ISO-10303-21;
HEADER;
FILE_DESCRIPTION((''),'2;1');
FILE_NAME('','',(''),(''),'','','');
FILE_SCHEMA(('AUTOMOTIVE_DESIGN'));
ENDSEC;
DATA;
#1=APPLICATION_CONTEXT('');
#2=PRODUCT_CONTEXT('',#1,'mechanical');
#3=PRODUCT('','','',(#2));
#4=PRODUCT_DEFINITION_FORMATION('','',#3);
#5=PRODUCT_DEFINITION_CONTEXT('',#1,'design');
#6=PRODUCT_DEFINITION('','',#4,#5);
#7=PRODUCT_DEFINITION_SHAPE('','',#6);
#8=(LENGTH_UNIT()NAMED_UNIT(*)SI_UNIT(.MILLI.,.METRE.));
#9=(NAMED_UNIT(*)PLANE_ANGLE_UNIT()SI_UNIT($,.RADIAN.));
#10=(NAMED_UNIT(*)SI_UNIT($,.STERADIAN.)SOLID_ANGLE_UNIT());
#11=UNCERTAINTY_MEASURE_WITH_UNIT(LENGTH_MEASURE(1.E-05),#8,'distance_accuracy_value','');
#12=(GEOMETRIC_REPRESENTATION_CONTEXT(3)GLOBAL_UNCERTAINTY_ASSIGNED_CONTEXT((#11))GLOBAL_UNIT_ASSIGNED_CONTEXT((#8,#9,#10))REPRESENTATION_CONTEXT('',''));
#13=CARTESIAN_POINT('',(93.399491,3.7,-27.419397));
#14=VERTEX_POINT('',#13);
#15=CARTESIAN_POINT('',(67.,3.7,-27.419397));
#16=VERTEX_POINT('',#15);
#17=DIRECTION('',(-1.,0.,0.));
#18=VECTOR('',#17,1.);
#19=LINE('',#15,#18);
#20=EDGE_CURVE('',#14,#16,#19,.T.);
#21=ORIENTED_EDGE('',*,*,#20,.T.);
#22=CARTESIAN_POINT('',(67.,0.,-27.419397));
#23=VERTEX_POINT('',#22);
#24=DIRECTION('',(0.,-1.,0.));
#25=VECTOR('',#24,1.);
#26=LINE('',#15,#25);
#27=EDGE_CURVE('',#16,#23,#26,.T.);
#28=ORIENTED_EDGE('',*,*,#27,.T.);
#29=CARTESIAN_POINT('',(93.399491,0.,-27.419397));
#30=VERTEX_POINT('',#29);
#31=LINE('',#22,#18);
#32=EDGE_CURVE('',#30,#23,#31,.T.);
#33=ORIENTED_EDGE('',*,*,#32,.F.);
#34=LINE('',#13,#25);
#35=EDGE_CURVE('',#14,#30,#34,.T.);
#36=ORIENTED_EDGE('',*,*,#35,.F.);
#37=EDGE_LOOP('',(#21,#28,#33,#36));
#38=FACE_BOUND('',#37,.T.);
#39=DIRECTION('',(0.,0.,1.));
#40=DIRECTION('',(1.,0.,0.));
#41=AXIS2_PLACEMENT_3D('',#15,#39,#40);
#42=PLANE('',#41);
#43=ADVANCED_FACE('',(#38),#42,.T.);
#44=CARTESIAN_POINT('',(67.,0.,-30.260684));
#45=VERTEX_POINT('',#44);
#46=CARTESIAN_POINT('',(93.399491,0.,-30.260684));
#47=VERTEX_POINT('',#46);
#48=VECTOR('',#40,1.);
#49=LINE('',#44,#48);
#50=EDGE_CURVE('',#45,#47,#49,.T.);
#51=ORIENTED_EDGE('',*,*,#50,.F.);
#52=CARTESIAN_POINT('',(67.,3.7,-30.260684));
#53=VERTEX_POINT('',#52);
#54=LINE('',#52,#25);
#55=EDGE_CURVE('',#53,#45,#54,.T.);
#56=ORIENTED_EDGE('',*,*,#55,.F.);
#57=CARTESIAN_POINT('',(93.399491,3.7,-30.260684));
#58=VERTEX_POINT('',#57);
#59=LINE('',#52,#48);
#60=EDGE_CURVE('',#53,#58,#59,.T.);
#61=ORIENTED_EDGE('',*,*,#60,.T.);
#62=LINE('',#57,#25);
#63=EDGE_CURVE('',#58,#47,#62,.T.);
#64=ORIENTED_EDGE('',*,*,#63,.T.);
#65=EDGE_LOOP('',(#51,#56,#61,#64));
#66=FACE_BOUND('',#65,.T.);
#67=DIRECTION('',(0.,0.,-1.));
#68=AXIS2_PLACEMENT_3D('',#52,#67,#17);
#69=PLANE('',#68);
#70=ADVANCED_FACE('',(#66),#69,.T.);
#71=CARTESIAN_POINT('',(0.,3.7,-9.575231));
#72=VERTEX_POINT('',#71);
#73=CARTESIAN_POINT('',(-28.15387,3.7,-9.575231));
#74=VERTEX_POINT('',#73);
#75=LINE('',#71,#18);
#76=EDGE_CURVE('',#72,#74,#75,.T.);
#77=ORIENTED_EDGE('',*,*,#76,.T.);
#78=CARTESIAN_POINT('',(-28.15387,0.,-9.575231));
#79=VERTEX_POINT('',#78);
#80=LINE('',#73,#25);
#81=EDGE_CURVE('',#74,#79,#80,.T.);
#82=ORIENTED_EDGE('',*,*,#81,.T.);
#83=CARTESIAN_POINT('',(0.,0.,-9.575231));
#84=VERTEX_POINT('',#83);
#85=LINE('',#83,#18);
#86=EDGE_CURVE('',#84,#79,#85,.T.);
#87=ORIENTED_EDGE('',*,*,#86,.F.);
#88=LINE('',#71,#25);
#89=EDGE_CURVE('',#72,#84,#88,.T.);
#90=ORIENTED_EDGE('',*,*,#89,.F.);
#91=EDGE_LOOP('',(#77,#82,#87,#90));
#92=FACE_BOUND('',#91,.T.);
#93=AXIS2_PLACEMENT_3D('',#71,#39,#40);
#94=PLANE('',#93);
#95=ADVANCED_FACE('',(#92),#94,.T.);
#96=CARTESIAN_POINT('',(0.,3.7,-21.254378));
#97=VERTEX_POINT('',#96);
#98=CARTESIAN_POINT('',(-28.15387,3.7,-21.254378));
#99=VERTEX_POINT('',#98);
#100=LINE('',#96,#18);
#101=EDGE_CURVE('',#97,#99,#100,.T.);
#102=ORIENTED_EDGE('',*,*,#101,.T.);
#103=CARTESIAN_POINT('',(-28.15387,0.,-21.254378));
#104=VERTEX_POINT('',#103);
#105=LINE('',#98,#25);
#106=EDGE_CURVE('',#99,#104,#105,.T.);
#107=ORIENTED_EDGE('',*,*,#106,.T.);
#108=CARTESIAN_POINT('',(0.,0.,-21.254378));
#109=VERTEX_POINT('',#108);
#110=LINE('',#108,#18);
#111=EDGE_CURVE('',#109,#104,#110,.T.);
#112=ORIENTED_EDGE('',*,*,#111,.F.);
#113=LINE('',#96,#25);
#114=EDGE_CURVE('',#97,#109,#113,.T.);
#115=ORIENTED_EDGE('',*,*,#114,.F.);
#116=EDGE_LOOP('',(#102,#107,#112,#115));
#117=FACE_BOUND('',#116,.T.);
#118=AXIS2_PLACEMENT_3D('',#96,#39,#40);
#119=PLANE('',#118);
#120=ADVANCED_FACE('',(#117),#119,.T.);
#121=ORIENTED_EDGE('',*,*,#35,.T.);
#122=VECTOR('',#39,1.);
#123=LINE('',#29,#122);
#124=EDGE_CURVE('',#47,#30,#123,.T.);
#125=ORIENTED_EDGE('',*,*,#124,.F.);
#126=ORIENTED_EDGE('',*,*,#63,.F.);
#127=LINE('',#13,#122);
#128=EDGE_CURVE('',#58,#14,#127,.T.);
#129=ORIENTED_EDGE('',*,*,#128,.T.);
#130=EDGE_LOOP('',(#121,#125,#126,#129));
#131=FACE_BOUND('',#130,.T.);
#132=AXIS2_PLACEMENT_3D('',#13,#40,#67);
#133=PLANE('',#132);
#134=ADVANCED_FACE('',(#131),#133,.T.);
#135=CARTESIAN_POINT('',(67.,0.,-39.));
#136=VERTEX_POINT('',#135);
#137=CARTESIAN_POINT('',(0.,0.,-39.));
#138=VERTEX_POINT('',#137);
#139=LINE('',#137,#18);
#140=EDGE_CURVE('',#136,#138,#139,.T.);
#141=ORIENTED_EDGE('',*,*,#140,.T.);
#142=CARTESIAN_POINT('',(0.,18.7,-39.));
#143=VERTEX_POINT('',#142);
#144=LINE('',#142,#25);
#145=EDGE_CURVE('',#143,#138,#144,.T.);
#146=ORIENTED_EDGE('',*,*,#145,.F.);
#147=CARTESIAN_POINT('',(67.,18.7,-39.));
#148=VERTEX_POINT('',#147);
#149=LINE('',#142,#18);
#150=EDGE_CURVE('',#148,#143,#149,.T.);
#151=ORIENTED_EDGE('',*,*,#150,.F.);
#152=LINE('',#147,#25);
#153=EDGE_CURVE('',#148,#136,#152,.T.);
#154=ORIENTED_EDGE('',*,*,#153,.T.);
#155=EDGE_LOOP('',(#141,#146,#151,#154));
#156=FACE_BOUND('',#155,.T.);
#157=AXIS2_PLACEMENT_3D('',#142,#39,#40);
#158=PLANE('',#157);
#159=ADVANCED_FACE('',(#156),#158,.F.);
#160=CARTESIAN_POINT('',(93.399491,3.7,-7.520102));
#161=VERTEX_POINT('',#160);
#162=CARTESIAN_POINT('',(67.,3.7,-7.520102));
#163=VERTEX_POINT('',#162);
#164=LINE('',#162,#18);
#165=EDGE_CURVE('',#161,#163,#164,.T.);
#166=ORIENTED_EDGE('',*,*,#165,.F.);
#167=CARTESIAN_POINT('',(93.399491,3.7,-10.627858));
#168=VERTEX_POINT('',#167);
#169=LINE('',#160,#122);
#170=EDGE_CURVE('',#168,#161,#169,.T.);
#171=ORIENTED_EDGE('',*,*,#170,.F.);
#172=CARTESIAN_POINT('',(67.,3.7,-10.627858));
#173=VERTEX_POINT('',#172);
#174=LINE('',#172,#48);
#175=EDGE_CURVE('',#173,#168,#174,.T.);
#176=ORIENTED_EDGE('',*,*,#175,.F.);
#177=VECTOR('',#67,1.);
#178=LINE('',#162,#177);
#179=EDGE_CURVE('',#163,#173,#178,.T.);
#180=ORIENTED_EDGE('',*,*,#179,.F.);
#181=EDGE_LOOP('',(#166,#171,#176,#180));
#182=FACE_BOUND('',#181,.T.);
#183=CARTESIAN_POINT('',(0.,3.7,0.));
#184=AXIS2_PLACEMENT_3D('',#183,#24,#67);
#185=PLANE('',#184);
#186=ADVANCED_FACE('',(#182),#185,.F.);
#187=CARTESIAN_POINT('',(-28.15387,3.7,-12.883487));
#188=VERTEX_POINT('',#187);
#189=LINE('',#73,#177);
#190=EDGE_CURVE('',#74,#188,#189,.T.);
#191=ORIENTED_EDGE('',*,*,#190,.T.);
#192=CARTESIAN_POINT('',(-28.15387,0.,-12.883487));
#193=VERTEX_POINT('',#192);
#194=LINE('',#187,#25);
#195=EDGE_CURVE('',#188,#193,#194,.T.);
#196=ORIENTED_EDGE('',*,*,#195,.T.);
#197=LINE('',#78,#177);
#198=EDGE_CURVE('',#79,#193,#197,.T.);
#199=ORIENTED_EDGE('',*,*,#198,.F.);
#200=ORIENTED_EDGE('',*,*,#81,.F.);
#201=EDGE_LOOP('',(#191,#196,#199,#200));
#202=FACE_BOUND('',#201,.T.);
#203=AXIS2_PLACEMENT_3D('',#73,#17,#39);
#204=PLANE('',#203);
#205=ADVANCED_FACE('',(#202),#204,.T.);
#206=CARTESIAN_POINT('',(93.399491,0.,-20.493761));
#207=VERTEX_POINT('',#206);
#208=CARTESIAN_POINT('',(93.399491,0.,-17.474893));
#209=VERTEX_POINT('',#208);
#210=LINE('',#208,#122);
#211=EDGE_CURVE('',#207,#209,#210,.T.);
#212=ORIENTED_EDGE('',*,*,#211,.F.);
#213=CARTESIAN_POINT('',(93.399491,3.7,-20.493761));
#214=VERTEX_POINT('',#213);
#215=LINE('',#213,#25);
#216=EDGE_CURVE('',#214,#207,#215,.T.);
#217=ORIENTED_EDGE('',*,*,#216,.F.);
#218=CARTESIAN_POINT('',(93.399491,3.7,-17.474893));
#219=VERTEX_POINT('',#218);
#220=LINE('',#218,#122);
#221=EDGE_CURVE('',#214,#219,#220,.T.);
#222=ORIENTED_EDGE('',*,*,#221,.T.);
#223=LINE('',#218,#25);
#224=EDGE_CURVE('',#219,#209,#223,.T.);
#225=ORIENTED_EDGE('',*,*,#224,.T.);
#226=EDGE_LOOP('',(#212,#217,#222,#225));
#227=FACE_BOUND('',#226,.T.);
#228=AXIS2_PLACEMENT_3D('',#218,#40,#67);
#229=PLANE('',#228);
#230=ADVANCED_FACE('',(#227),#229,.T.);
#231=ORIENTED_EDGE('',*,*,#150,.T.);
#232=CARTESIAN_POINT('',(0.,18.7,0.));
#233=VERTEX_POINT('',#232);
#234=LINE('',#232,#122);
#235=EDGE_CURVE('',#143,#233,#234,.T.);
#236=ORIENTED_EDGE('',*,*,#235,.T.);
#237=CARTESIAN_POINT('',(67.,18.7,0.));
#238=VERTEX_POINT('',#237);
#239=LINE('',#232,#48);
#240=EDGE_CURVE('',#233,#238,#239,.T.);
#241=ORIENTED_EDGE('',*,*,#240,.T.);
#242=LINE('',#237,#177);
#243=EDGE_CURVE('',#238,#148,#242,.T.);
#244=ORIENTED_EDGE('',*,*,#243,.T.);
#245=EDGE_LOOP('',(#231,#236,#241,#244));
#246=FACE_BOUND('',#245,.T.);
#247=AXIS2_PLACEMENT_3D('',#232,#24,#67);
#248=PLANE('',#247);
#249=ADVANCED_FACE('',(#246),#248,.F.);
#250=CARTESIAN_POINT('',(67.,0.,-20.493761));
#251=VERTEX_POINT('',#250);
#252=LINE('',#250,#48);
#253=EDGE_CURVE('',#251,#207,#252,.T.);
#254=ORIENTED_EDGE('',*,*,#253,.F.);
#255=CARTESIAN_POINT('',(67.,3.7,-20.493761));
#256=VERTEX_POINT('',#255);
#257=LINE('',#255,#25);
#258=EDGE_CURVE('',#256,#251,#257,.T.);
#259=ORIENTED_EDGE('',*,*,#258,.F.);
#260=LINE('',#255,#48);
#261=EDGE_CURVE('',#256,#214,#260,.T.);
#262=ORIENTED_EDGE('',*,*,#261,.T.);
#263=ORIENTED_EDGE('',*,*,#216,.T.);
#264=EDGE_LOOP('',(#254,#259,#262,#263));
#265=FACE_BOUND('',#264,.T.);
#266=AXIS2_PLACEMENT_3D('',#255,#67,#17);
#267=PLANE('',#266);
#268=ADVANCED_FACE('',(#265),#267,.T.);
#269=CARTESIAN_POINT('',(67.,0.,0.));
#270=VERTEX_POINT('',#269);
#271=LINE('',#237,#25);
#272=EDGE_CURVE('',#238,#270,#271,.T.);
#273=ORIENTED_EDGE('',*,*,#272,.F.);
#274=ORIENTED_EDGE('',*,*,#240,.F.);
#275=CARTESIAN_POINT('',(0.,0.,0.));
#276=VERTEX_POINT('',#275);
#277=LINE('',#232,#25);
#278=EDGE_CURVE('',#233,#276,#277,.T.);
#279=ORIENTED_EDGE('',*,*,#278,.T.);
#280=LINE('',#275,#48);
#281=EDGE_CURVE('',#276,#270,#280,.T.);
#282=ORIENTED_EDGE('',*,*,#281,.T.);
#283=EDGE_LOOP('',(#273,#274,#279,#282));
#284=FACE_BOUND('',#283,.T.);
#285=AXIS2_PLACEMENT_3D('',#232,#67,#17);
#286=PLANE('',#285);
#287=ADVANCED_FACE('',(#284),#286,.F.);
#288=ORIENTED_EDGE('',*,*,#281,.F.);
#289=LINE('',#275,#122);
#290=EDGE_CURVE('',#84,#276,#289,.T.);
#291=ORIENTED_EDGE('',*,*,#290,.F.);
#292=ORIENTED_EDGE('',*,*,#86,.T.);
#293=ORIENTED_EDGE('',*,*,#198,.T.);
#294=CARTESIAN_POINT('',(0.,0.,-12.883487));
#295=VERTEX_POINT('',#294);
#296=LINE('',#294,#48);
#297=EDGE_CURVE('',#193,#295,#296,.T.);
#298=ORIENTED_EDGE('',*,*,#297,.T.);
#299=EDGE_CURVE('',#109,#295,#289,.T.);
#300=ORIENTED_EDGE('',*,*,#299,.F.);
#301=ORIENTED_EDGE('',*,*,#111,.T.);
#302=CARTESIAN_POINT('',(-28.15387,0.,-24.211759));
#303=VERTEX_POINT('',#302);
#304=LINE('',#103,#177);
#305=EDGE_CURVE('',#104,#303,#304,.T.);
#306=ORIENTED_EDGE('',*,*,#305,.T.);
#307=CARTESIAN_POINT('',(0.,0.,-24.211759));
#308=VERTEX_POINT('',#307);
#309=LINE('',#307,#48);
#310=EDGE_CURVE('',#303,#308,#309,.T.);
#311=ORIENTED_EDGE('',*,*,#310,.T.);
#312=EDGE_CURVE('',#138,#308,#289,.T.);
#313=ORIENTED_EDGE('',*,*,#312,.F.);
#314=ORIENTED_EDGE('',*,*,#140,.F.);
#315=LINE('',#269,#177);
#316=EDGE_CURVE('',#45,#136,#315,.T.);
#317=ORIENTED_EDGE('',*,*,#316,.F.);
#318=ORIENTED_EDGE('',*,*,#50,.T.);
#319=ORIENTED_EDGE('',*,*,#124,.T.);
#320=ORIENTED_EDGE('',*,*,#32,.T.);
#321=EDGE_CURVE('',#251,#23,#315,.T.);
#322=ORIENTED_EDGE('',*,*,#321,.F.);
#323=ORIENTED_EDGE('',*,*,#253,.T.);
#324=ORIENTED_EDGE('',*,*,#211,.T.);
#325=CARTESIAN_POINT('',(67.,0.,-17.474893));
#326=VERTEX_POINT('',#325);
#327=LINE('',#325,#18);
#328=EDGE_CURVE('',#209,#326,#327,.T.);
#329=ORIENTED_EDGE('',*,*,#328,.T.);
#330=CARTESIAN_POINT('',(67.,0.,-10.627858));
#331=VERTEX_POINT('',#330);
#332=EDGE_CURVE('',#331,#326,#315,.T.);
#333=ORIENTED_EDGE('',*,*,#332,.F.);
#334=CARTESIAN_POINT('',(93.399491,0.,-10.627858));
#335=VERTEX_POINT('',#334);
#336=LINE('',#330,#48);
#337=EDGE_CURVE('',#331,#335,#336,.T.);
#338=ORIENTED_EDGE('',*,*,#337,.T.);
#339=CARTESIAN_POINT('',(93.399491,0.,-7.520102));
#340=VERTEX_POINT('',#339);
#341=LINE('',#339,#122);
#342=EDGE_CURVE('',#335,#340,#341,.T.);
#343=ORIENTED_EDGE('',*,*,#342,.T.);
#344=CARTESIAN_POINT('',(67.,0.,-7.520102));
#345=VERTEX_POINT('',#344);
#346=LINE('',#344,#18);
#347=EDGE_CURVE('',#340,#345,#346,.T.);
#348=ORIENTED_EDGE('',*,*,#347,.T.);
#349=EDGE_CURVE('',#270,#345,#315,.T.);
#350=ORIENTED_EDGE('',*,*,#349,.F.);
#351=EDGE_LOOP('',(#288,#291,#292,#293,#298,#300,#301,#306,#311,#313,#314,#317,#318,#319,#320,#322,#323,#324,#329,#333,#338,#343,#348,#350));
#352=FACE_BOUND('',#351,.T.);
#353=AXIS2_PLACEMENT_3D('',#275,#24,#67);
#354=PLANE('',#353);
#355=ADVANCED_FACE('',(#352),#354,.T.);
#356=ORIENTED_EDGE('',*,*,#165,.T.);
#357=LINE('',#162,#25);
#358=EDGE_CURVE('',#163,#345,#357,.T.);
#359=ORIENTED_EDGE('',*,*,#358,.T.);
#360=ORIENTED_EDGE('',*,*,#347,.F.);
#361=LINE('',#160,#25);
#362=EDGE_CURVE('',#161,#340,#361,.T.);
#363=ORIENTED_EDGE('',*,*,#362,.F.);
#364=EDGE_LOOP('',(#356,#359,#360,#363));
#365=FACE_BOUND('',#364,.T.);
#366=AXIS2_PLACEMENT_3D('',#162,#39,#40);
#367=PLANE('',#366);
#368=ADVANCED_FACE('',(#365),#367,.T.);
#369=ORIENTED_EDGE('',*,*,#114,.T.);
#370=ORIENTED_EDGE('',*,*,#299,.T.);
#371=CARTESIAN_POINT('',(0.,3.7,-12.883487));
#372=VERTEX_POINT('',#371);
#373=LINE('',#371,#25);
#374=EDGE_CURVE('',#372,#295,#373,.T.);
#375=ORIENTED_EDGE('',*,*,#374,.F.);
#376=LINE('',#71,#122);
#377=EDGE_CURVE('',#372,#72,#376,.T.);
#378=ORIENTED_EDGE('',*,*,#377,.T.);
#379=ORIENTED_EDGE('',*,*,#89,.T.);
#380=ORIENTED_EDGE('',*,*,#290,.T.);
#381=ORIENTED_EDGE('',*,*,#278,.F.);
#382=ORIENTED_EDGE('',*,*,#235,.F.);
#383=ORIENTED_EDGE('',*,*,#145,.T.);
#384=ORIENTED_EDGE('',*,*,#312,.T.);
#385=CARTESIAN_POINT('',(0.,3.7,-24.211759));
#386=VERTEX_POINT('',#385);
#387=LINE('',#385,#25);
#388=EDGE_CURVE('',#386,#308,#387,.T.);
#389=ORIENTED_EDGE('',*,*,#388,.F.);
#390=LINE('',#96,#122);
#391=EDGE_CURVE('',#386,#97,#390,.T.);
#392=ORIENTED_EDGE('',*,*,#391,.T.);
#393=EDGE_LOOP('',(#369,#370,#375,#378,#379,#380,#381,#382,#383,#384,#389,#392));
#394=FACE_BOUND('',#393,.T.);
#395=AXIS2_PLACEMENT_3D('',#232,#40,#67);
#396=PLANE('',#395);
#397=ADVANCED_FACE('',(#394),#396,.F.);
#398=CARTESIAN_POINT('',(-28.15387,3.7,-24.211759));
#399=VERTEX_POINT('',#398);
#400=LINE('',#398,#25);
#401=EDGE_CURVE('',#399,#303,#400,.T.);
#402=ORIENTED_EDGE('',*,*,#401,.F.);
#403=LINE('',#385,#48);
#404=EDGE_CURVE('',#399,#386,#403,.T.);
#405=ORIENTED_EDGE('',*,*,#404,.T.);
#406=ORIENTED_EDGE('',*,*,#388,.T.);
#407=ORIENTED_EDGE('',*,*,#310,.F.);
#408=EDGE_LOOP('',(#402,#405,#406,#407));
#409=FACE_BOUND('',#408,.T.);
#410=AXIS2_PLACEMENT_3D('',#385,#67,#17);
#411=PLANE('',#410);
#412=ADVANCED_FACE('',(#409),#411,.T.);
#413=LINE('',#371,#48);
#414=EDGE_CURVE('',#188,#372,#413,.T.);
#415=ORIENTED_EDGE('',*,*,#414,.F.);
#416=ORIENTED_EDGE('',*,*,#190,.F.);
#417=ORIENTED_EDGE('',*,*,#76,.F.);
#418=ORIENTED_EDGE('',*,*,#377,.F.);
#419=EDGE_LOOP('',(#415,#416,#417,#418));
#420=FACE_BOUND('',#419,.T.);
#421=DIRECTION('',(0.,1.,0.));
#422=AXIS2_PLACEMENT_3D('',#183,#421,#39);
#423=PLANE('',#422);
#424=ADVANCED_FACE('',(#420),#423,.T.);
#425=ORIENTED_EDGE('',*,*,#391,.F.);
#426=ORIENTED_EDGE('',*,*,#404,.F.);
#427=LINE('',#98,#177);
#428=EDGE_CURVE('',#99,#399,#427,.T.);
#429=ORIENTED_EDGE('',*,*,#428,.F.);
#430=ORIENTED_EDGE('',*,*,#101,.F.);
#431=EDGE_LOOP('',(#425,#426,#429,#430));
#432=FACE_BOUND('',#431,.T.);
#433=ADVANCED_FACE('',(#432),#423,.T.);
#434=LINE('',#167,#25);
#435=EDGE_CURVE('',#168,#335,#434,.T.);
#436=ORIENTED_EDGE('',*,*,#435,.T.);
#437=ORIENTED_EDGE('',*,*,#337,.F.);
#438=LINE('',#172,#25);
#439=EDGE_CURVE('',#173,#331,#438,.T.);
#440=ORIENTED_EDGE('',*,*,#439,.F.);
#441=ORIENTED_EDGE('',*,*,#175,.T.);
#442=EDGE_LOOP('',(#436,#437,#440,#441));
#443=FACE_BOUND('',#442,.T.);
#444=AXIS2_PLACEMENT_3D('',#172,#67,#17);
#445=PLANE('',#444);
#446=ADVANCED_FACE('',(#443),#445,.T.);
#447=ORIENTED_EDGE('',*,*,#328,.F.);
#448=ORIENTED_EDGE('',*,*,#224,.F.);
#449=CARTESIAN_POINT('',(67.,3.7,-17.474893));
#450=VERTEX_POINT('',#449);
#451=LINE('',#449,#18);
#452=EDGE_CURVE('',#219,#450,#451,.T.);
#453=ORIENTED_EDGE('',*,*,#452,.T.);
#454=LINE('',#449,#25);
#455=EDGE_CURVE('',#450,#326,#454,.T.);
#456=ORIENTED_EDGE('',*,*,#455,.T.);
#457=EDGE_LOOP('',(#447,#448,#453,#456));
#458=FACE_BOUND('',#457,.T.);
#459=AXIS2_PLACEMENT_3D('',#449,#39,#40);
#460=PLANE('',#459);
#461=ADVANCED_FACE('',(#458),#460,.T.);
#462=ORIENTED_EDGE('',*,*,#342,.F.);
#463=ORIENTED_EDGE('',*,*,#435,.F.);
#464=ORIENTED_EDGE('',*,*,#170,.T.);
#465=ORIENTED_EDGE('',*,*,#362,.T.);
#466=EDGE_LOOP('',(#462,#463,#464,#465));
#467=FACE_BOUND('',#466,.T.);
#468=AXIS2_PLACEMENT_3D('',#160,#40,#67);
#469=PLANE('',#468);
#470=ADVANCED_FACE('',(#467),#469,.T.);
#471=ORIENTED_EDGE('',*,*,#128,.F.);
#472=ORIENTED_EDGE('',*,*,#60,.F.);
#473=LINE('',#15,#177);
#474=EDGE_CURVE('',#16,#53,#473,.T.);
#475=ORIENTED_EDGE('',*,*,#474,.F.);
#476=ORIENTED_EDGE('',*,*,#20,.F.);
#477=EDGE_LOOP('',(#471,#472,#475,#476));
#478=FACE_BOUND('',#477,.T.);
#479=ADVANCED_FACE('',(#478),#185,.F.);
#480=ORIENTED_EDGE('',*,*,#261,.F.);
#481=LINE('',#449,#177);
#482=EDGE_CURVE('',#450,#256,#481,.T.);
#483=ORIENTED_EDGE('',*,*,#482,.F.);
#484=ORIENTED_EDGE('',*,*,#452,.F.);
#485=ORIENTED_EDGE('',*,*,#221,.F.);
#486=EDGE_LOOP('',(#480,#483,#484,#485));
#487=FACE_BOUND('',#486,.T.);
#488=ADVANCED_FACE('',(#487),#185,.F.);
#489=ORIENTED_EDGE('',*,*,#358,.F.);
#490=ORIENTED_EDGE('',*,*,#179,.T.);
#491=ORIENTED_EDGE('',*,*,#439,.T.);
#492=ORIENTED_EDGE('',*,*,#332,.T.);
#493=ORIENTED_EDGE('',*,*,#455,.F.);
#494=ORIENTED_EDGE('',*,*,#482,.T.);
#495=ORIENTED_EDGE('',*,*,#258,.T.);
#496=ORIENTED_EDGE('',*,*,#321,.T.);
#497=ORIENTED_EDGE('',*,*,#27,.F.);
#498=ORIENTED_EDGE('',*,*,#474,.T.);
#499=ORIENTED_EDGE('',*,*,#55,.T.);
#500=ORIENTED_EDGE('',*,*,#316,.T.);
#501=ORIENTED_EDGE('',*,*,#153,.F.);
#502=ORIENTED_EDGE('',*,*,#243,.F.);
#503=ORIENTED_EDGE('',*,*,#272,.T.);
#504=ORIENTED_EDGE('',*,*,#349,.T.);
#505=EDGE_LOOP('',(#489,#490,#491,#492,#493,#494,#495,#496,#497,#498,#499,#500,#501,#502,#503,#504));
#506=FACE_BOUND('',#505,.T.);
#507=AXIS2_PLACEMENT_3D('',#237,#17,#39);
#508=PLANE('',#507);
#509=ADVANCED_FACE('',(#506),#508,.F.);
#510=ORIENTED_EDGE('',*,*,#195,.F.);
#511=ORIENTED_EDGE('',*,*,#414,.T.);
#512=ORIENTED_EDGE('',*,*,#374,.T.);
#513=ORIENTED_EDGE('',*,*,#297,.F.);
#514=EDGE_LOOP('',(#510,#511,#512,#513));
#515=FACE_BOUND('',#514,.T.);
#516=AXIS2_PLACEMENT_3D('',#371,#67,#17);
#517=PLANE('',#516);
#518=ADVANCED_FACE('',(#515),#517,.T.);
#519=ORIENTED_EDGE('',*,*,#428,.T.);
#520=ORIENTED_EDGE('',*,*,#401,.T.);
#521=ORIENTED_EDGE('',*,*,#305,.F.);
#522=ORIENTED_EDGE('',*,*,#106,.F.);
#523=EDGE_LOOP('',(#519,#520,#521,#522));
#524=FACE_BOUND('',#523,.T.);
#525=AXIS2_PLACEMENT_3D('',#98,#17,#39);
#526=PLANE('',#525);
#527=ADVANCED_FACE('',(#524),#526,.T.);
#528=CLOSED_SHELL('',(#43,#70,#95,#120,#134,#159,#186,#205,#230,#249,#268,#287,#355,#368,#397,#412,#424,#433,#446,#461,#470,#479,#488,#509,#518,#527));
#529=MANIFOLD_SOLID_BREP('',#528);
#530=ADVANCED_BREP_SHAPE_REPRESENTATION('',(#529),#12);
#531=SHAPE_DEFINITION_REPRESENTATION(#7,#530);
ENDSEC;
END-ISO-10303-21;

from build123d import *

# Parameters (mm, degrees)
SKETCH1_W           = 67
SKETCH1_H           = 39
BOSS_EXTRUDE1_DEPTH = 18.7
SKETCH2_W           = 28.153869909
SKETCH2_H           = 3.308256434
SKETCH2_H_2         = 2.957380752
SKETCH2_W_2         = 26.399491497
SKETCH2_H_3         = 3.107756044
SKETCH2_H_4         = 3.018867182
SKETCH2_H_5         = 2.841286759
BOSS_EXTRUDE2_DEPTH = 3.7


with BuildPart() as part:
    # Sketch1 → Boss-Extrude1 (new body)
    with BuildSketch(Plane(origin=(0, 0, 0), x_dir=(1, 0, 0), z_dir=(0, 1, 0))):
        with Locations((33.5, 19.5)):
            Rectangle(SKETCH1_W, SKETCH1_H)
    extrude(amount=BOSS_EXTRUDE1_DEPTH)

    # Sketch2 → Boss-Extrude2 (add)
    with BuildSketch(Plane.XZ):
        with Locations((-14.076934955, -11.229358915)):
            Rectangle(SKETCH2_W, SKETCH2_H)
        with Locations((-14.076934955, -22.733068788)):
            Rectangle(SKETCH2_W, SKETCH2_H_2)
        with Locations((80.199745748, -9.073979723)):
            Rectangle(SKETCH2_W_2, SKETCH2_H_3)
        with Locations((80.199745748, -18.984327025)):
            Rectangle(SKETCH2_W_2, SKETCH2_H_4)
        with Locations((80.199745748, -28.84004047)):
            Rectangle(SKETCH2_W_2, SKETCH2_H_5)
    extrude(amount=-BOSS_EXTRUDE2_DEPTH)


solid = part.part
